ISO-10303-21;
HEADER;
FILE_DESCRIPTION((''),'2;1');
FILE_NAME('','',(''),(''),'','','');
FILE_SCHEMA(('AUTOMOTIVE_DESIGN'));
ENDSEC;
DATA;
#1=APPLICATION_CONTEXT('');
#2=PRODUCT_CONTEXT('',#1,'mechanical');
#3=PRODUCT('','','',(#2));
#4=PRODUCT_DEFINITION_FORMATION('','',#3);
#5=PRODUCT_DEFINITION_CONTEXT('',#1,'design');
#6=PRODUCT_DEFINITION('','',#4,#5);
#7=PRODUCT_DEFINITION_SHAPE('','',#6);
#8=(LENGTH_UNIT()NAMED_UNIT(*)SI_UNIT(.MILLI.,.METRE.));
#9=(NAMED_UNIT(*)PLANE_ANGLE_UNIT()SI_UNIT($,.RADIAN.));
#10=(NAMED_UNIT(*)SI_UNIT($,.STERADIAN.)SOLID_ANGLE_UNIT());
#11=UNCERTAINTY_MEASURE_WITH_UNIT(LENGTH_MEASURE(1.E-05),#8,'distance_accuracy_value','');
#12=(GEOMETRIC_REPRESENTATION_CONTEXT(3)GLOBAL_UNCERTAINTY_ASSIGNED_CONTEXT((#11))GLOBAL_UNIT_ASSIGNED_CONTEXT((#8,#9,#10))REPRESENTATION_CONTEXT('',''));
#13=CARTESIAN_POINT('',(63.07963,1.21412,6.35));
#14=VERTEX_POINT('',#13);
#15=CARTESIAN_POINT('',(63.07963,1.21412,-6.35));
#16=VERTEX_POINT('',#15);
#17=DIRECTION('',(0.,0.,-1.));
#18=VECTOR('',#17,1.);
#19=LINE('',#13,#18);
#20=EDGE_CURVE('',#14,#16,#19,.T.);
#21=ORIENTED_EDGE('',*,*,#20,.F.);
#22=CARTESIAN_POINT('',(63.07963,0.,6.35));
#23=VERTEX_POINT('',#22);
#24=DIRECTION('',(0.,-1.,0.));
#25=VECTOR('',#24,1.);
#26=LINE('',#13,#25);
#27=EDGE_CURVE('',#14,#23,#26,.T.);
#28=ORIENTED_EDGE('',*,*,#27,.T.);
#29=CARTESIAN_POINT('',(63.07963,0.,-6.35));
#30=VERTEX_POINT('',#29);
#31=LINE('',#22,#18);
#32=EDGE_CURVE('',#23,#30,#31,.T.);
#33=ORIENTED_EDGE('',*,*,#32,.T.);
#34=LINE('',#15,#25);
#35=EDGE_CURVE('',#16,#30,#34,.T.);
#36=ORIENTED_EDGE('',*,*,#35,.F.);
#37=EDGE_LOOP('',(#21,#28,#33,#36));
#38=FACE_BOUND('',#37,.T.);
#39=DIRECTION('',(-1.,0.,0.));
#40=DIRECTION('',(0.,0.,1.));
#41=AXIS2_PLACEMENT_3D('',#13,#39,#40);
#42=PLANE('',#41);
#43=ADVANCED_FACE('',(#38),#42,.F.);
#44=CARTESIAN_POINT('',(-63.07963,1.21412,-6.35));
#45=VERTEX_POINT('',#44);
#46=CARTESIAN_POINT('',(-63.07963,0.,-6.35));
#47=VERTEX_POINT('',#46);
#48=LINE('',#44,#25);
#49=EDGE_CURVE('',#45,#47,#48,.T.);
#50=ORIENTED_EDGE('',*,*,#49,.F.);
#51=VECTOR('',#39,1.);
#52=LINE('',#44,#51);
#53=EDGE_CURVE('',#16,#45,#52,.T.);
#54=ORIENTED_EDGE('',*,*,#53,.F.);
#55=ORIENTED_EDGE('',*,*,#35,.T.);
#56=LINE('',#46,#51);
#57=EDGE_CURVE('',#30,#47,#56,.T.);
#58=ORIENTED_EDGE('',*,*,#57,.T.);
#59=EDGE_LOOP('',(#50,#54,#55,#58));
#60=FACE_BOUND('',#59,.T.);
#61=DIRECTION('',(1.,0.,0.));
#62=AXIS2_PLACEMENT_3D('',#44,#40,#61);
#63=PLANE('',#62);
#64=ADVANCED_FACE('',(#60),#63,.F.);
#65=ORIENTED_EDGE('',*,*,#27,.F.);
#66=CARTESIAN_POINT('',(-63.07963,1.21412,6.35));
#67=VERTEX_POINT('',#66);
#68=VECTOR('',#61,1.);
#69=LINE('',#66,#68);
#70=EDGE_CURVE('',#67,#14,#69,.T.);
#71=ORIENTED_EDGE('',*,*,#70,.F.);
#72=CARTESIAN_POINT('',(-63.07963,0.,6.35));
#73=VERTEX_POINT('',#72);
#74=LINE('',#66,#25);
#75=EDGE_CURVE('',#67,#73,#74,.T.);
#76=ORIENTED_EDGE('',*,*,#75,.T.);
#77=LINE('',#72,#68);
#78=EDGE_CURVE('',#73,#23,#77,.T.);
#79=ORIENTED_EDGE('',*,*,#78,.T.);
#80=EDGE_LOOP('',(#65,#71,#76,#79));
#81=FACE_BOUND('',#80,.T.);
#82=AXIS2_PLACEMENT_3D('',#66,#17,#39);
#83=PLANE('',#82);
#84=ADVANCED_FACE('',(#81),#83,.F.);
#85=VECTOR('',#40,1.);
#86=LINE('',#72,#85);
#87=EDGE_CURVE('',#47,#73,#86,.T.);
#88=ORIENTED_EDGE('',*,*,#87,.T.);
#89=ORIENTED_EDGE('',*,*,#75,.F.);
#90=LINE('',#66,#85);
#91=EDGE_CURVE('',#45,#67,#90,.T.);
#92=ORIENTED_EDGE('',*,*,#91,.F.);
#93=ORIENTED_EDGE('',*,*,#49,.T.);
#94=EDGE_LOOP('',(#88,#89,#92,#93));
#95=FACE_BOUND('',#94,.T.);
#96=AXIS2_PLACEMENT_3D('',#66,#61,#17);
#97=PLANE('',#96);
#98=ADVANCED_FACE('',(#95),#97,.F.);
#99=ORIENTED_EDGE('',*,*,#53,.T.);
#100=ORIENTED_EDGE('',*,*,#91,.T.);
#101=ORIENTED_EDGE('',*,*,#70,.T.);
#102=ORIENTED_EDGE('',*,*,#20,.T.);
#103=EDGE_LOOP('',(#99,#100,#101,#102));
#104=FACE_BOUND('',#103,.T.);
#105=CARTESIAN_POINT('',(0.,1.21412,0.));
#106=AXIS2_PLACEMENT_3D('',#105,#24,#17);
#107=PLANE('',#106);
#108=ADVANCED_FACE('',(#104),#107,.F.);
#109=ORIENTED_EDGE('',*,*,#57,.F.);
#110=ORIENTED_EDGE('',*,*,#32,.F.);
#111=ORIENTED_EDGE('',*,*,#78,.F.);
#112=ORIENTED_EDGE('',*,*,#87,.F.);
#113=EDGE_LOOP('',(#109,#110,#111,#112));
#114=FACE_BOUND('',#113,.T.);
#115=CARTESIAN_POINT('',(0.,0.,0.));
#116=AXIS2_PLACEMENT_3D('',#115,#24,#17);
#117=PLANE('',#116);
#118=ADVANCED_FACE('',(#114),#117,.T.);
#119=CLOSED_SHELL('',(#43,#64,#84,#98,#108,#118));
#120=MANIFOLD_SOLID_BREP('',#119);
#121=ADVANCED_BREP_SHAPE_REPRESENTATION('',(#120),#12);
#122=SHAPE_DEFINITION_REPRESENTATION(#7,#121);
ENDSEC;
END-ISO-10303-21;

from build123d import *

# Parameters (mm, degrees)
SKETCH1_W           = 126.15926
SKETCH1_H           = 12.7
BOSS_EXTRUDE1_DEPTH = 1.21412


with BuildPart() as part:
    # Sketch1 → Boss-Extrude1 (new body)
    with BuildSketch(Plane(origin=(0, 0, 0), x_dir=(1, 0, 0), z_dir=(0, 1, 0))):
        Rectangle(SKETCH1_W, SKETCH1_H)
    extrude(amount=BOSS_EXTRUDE1_DEPTH)


solid = part.part
